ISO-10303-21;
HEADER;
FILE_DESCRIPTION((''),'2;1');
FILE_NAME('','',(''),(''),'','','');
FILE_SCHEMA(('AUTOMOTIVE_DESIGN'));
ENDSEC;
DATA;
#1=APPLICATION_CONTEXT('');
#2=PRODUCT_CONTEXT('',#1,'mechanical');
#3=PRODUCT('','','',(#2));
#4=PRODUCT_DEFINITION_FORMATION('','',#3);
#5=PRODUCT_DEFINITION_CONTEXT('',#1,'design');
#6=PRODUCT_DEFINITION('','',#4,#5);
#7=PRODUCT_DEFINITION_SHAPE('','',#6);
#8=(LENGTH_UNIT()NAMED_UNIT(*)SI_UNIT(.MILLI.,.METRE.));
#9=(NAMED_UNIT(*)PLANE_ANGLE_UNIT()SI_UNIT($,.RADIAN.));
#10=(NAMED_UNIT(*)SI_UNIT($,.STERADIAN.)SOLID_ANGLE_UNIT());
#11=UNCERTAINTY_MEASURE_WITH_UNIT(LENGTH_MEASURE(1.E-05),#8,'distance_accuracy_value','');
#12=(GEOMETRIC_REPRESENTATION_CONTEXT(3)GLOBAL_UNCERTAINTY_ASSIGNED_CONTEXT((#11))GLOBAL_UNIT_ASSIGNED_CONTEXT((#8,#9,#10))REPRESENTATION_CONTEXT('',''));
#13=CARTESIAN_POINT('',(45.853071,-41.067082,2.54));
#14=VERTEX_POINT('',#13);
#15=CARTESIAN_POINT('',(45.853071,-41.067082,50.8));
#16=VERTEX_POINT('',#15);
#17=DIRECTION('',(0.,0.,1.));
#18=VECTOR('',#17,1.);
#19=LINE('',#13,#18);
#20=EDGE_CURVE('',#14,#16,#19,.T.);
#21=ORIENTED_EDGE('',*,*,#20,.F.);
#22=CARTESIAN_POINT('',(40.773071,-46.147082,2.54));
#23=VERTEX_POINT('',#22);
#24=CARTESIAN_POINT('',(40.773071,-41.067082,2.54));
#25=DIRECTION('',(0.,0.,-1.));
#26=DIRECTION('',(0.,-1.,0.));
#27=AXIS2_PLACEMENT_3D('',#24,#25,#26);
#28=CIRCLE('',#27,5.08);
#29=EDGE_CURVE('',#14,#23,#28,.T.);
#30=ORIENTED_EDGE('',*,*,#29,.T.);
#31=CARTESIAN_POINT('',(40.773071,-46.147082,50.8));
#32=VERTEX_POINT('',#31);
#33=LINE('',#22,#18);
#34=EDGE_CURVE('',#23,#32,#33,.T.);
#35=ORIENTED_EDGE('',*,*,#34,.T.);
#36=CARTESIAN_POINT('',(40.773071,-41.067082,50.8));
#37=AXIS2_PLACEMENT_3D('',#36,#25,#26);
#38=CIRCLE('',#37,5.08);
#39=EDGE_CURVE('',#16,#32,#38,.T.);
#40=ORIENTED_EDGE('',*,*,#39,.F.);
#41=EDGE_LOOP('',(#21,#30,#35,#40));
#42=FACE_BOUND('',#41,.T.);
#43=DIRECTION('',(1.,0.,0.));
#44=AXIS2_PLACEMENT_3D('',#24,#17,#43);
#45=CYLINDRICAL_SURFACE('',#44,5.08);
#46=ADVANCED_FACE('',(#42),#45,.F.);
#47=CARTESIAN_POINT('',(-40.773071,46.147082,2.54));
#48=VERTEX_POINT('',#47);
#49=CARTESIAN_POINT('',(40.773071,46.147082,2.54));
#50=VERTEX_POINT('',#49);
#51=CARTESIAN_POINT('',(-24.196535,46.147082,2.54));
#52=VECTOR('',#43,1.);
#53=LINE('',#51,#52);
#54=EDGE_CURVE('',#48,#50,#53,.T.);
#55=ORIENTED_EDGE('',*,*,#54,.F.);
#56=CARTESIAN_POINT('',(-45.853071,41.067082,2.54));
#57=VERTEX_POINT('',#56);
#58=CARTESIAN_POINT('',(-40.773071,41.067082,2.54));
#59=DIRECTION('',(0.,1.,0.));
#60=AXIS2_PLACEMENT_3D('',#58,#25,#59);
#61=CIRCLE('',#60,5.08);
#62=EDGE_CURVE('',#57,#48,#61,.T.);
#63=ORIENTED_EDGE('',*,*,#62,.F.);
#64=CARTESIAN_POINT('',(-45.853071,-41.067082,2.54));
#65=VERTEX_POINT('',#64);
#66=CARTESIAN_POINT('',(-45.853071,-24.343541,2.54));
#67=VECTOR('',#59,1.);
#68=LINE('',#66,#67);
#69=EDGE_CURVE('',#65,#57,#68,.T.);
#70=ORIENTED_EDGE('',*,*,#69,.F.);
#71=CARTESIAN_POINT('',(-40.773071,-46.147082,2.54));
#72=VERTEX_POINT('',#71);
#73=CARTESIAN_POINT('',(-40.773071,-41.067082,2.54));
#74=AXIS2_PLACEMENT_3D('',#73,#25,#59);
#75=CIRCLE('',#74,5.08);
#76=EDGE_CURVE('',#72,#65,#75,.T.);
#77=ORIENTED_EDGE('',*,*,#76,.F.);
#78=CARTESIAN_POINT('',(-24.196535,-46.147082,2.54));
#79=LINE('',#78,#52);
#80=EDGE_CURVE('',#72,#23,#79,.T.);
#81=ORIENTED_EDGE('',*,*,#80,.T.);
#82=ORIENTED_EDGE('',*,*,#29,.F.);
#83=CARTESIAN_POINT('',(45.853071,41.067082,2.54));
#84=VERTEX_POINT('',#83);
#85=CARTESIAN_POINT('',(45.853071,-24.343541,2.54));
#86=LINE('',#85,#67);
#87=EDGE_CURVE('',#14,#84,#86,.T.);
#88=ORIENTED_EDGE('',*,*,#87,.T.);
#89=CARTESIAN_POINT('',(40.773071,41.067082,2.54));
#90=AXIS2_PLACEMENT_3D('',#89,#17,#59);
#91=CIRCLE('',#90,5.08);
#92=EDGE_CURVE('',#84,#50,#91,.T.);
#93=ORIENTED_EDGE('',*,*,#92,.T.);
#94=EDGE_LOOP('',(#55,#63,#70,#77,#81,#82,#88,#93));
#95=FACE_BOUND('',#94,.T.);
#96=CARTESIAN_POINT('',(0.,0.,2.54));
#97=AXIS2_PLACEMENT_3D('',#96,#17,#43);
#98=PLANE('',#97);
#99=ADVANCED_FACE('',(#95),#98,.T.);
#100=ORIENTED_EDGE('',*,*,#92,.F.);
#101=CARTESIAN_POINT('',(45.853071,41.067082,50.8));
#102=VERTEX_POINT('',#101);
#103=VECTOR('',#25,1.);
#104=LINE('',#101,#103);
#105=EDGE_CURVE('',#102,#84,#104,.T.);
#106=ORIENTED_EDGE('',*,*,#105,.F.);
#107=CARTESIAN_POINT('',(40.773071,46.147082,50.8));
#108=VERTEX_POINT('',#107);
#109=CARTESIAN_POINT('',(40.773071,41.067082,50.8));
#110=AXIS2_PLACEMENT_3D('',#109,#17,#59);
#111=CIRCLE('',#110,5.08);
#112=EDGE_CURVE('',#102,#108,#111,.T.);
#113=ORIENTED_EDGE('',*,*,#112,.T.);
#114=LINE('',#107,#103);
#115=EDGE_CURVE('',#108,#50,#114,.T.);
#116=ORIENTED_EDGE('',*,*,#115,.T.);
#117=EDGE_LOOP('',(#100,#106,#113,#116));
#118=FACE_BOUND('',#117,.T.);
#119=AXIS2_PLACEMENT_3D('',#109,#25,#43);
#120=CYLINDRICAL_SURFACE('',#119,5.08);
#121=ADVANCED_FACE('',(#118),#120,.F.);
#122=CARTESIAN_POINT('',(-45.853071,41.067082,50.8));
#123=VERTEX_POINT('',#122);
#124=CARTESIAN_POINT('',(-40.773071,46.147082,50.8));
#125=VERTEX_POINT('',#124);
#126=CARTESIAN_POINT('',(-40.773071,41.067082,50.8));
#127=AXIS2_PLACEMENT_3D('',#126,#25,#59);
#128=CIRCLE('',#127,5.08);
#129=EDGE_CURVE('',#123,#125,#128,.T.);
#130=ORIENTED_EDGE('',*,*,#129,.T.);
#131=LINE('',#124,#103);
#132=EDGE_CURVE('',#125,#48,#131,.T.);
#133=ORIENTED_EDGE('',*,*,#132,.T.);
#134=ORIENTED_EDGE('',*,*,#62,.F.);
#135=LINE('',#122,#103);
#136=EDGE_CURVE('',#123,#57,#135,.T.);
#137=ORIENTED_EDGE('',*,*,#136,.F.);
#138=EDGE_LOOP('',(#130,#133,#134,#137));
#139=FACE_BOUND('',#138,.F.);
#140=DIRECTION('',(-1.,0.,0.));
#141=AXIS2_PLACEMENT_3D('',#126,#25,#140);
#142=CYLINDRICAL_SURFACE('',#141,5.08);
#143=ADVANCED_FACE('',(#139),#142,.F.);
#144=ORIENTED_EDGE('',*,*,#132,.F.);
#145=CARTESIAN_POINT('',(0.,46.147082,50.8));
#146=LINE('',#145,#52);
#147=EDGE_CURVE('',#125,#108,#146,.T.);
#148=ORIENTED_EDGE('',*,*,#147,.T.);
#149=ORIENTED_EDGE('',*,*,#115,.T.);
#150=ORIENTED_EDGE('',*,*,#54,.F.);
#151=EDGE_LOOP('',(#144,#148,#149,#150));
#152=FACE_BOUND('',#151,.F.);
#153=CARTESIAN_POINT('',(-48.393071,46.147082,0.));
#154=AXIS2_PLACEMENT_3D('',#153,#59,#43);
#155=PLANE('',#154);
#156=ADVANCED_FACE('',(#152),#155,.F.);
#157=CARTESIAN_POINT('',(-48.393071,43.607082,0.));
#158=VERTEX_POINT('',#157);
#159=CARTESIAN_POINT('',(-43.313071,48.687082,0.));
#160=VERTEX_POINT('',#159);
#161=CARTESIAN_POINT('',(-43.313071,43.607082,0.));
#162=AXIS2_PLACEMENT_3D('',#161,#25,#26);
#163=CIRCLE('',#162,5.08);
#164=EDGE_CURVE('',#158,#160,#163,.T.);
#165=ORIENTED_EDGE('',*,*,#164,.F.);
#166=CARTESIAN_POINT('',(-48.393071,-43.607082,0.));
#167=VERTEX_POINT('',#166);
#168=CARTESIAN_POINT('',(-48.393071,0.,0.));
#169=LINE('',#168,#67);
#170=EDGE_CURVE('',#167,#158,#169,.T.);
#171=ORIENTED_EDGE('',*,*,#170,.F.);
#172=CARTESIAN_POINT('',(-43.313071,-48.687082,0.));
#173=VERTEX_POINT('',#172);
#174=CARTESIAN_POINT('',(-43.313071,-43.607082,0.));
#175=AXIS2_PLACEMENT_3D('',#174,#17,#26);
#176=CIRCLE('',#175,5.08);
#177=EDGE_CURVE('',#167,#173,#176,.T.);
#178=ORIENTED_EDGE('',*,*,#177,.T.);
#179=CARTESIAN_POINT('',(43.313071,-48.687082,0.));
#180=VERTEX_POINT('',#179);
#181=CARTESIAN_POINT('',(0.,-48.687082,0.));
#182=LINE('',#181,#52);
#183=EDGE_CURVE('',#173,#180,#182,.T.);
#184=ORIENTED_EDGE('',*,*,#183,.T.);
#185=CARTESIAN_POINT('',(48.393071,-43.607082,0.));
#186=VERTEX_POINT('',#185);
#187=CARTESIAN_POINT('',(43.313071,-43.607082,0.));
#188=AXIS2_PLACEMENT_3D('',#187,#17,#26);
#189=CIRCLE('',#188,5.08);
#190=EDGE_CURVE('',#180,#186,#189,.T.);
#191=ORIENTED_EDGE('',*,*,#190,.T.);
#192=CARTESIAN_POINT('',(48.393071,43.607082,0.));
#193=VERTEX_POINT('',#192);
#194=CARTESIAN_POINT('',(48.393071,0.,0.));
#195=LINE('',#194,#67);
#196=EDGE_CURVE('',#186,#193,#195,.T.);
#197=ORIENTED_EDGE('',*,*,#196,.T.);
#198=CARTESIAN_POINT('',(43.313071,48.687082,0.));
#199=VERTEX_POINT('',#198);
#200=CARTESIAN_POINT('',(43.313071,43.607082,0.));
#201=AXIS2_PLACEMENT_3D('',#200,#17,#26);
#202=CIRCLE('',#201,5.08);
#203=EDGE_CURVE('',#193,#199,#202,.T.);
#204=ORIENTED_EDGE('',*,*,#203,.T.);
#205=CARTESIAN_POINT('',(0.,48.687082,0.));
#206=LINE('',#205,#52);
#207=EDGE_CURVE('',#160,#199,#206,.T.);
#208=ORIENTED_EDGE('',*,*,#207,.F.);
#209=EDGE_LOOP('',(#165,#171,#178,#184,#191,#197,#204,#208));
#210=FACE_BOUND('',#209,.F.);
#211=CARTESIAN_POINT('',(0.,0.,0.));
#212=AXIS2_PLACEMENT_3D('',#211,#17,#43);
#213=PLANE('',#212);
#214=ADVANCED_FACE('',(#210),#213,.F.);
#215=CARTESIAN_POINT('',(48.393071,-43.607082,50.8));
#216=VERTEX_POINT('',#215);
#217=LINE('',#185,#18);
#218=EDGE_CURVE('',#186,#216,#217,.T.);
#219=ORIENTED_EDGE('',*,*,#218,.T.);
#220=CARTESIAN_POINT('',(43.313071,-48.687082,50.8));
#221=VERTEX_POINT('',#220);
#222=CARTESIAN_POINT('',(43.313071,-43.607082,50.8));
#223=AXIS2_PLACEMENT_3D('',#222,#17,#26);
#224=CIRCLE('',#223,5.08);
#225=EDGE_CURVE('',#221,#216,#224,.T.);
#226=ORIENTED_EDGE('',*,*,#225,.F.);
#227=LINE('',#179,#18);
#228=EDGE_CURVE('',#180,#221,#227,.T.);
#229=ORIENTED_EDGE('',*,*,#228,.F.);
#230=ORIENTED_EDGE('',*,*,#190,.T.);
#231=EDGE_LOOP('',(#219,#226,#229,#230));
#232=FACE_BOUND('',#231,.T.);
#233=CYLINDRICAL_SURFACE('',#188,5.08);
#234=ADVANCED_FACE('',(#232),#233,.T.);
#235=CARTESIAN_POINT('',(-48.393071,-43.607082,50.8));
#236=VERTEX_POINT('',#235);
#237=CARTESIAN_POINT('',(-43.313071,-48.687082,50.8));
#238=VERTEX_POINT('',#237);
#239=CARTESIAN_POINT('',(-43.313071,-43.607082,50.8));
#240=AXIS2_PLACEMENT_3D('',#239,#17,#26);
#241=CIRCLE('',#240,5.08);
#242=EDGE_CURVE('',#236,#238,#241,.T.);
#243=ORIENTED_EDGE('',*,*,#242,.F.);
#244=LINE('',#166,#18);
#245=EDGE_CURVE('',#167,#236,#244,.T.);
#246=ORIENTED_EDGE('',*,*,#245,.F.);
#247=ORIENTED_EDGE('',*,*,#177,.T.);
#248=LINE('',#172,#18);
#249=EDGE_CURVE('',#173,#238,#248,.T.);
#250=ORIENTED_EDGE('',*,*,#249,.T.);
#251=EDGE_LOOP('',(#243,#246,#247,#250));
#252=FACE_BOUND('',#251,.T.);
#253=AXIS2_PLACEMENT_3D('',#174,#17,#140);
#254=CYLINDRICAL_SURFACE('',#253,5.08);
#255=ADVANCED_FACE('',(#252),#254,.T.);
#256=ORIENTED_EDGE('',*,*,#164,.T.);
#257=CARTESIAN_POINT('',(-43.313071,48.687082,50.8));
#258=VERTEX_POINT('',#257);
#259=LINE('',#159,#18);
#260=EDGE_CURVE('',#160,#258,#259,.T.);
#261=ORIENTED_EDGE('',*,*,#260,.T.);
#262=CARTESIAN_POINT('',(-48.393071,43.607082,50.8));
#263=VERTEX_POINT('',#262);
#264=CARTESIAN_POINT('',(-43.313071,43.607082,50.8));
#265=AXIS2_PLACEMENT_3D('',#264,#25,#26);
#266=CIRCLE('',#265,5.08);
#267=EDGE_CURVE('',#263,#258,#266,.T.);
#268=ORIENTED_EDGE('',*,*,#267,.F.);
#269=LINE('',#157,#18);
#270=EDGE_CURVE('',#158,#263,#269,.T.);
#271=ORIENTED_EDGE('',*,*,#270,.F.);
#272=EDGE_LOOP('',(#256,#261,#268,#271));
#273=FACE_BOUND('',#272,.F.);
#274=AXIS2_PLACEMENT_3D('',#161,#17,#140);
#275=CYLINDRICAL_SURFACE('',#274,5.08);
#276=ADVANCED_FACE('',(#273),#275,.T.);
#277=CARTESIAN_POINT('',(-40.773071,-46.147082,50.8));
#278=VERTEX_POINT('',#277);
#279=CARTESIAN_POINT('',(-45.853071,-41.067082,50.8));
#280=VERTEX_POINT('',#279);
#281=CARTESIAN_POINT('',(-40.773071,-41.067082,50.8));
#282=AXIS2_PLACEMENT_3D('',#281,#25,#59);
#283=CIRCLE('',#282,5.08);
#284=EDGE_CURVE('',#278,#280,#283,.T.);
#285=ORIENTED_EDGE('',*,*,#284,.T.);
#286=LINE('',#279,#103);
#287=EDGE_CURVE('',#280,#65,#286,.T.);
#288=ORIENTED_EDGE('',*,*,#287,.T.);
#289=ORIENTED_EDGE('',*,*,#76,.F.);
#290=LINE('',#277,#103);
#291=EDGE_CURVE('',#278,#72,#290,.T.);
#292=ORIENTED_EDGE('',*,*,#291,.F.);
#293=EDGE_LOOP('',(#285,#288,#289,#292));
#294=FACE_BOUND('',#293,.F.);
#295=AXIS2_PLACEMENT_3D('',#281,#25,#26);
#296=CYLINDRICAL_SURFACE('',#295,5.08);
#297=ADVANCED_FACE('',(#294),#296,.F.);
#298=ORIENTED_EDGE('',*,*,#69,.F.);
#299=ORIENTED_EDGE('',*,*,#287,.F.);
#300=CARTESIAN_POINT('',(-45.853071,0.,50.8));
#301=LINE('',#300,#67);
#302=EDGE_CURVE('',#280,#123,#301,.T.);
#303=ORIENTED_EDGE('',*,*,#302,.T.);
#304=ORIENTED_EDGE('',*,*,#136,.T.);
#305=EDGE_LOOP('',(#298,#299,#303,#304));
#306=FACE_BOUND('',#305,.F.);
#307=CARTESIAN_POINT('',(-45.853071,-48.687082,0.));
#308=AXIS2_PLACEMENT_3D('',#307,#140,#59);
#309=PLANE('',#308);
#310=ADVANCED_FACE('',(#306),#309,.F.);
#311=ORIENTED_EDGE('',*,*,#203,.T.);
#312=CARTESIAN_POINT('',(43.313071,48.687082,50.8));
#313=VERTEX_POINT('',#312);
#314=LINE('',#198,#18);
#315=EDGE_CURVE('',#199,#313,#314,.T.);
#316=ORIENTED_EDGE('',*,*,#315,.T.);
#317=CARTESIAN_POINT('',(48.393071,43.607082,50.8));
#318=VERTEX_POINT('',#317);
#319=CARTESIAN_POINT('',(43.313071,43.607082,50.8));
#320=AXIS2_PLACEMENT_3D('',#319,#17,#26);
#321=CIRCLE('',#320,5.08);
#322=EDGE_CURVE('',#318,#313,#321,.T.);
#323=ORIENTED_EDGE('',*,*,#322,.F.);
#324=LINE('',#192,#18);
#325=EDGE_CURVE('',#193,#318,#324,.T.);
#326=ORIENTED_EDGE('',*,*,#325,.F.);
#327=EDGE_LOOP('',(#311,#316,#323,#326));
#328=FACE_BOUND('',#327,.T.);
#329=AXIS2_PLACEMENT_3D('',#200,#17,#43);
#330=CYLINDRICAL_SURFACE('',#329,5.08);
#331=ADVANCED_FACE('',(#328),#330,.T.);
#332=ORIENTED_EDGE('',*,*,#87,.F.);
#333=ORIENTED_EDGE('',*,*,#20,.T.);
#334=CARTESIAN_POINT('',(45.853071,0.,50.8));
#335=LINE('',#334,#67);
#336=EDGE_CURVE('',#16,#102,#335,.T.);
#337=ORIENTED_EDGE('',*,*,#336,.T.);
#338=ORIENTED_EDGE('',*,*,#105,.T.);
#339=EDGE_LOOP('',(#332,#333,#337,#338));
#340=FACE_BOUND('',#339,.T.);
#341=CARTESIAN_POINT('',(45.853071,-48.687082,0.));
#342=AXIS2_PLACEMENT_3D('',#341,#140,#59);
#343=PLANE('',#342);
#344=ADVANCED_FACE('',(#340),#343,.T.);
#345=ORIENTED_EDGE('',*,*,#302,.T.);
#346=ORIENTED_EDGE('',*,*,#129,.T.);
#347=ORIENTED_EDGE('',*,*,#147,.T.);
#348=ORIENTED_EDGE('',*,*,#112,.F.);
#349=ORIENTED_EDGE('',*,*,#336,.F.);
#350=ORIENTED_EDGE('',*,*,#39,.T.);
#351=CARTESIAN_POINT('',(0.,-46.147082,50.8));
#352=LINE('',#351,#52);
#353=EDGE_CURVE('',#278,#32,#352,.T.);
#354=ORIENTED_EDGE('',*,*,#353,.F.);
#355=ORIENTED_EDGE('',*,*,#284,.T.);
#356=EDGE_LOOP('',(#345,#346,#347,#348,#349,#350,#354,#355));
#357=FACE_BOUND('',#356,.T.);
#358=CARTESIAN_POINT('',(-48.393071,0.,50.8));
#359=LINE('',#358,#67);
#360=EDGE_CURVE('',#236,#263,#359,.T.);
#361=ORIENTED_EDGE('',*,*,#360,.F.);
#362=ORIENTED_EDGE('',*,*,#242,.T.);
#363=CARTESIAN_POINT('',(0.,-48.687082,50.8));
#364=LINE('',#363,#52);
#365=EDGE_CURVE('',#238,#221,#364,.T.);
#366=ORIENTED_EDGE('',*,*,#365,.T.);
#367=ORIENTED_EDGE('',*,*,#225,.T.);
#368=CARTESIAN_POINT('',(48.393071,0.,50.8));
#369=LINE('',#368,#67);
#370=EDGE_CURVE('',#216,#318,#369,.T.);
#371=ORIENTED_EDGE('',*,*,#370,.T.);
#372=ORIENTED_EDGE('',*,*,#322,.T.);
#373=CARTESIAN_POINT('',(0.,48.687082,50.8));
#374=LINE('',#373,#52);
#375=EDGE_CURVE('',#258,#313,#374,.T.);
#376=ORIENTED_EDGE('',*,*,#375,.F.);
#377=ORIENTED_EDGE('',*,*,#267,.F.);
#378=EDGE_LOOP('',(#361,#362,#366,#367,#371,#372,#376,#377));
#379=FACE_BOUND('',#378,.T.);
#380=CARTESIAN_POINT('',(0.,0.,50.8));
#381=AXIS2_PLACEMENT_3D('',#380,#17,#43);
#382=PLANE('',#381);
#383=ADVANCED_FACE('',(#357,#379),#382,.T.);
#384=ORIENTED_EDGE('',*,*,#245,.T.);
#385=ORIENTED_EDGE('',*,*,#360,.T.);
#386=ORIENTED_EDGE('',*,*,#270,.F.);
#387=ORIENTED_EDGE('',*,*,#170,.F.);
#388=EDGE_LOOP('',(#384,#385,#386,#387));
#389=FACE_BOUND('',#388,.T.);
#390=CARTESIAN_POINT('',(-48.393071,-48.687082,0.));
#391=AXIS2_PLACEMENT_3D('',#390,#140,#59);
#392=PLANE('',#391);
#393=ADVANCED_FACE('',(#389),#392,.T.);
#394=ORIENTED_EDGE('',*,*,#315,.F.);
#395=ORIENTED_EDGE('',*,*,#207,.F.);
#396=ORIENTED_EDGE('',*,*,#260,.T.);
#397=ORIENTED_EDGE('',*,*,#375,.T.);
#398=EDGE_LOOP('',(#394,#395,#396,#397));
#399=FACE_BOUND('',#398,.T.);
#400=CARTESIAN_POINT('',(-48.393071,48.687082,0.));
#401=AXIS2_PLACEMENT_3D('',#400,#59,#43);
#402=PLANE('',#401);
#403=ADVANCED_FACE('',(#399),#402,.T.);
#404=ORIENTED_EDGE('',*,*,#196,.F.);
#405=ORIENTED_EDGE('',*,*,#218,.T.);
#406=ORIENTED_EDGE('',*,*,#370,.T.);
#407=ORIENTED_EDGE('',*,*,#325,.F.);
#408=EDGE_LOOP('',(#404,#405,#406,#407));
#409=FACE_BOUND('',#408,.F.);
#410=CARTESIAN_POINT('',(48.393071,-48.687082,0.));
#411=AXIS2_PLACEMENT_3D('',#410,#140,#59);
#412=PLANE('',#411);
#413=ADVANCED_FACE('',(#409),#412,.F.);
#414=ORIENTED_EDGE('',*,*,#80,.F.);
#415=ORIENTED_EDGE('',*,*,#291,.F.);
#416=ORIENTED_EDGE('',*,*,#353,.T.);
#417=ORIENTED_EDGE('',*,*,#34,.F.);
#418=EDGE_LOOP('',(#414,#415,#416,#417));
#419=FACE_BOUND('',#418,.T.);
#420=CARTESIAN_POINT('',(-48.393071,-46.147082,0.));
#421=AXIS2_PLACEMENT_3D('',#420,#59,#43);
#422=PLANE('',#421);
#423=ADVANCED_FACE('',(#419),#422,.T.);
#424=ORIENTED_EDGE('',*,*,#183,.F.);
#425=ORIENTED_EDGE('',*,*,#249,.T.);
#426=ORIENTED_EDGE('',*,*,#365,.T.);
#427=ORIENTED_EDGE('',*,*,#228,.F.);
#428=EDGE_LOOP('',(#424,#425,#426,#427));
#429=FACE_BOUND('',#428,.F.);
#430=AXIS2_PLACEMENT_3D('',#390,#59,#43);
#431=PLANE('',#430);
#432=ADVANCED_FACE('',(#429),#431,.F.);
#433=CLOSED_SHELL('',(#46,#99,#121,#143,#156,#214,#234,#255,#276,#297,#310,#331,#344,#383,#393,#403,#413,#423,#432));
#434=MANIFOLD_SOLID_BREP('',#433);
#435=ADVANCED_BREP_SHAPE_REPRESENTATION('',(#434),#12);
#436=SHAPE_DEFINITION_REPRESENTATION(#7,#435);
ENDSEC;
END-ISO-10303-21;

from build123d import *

# Parameters (mm, degrees)
F0_W     = 96.7861413956
F0_H     = 97.374163568
F1_DEPTH = 50.8
F2_T     = -2.54
F3_R     = 5.08
F4_R     = 5.08


with BuildPart() as f1:
    # F0 (on Top) → F1 (new body)
    with BuildSketch(Plane.XY):
        Rectangle(F0_W, F0_H)
    extrude(amount=F1_DEPTH)

    # F2
    f2_openings = [f1.faces().sort_by_distance(p)[0] for p in [
        (0, 0, 50.8),
    ]]
    offset(amount=F2_T, openings=f2_openings)

    # F3
    f3_edges = [f1.edges().sort_by_distance(p)[0] for p in [
        (-48.393071, -48.687082, 25.4),
        (-48.393071, 48.687082, 25.4),
        (48.393071, 48.687082, 25.4),
        (48.393071, -48.687082, 25.4),
    ]]
    fillet(f3_edges, radius=F3_R)

    # F4
    f4_edges = [f1.edges().sort_by_distance(p)[0] for p in [
        (-45.853071, -46.147082, 26.67),
        (-45.853071, 46.147082, 26.67),
        (45.853071, -46.147082, 26.67),
        (45.853071, 46.147082, 26.67),
    ]]
    fillet(f4_edges, radius=F4_R)


solid = f1.part
